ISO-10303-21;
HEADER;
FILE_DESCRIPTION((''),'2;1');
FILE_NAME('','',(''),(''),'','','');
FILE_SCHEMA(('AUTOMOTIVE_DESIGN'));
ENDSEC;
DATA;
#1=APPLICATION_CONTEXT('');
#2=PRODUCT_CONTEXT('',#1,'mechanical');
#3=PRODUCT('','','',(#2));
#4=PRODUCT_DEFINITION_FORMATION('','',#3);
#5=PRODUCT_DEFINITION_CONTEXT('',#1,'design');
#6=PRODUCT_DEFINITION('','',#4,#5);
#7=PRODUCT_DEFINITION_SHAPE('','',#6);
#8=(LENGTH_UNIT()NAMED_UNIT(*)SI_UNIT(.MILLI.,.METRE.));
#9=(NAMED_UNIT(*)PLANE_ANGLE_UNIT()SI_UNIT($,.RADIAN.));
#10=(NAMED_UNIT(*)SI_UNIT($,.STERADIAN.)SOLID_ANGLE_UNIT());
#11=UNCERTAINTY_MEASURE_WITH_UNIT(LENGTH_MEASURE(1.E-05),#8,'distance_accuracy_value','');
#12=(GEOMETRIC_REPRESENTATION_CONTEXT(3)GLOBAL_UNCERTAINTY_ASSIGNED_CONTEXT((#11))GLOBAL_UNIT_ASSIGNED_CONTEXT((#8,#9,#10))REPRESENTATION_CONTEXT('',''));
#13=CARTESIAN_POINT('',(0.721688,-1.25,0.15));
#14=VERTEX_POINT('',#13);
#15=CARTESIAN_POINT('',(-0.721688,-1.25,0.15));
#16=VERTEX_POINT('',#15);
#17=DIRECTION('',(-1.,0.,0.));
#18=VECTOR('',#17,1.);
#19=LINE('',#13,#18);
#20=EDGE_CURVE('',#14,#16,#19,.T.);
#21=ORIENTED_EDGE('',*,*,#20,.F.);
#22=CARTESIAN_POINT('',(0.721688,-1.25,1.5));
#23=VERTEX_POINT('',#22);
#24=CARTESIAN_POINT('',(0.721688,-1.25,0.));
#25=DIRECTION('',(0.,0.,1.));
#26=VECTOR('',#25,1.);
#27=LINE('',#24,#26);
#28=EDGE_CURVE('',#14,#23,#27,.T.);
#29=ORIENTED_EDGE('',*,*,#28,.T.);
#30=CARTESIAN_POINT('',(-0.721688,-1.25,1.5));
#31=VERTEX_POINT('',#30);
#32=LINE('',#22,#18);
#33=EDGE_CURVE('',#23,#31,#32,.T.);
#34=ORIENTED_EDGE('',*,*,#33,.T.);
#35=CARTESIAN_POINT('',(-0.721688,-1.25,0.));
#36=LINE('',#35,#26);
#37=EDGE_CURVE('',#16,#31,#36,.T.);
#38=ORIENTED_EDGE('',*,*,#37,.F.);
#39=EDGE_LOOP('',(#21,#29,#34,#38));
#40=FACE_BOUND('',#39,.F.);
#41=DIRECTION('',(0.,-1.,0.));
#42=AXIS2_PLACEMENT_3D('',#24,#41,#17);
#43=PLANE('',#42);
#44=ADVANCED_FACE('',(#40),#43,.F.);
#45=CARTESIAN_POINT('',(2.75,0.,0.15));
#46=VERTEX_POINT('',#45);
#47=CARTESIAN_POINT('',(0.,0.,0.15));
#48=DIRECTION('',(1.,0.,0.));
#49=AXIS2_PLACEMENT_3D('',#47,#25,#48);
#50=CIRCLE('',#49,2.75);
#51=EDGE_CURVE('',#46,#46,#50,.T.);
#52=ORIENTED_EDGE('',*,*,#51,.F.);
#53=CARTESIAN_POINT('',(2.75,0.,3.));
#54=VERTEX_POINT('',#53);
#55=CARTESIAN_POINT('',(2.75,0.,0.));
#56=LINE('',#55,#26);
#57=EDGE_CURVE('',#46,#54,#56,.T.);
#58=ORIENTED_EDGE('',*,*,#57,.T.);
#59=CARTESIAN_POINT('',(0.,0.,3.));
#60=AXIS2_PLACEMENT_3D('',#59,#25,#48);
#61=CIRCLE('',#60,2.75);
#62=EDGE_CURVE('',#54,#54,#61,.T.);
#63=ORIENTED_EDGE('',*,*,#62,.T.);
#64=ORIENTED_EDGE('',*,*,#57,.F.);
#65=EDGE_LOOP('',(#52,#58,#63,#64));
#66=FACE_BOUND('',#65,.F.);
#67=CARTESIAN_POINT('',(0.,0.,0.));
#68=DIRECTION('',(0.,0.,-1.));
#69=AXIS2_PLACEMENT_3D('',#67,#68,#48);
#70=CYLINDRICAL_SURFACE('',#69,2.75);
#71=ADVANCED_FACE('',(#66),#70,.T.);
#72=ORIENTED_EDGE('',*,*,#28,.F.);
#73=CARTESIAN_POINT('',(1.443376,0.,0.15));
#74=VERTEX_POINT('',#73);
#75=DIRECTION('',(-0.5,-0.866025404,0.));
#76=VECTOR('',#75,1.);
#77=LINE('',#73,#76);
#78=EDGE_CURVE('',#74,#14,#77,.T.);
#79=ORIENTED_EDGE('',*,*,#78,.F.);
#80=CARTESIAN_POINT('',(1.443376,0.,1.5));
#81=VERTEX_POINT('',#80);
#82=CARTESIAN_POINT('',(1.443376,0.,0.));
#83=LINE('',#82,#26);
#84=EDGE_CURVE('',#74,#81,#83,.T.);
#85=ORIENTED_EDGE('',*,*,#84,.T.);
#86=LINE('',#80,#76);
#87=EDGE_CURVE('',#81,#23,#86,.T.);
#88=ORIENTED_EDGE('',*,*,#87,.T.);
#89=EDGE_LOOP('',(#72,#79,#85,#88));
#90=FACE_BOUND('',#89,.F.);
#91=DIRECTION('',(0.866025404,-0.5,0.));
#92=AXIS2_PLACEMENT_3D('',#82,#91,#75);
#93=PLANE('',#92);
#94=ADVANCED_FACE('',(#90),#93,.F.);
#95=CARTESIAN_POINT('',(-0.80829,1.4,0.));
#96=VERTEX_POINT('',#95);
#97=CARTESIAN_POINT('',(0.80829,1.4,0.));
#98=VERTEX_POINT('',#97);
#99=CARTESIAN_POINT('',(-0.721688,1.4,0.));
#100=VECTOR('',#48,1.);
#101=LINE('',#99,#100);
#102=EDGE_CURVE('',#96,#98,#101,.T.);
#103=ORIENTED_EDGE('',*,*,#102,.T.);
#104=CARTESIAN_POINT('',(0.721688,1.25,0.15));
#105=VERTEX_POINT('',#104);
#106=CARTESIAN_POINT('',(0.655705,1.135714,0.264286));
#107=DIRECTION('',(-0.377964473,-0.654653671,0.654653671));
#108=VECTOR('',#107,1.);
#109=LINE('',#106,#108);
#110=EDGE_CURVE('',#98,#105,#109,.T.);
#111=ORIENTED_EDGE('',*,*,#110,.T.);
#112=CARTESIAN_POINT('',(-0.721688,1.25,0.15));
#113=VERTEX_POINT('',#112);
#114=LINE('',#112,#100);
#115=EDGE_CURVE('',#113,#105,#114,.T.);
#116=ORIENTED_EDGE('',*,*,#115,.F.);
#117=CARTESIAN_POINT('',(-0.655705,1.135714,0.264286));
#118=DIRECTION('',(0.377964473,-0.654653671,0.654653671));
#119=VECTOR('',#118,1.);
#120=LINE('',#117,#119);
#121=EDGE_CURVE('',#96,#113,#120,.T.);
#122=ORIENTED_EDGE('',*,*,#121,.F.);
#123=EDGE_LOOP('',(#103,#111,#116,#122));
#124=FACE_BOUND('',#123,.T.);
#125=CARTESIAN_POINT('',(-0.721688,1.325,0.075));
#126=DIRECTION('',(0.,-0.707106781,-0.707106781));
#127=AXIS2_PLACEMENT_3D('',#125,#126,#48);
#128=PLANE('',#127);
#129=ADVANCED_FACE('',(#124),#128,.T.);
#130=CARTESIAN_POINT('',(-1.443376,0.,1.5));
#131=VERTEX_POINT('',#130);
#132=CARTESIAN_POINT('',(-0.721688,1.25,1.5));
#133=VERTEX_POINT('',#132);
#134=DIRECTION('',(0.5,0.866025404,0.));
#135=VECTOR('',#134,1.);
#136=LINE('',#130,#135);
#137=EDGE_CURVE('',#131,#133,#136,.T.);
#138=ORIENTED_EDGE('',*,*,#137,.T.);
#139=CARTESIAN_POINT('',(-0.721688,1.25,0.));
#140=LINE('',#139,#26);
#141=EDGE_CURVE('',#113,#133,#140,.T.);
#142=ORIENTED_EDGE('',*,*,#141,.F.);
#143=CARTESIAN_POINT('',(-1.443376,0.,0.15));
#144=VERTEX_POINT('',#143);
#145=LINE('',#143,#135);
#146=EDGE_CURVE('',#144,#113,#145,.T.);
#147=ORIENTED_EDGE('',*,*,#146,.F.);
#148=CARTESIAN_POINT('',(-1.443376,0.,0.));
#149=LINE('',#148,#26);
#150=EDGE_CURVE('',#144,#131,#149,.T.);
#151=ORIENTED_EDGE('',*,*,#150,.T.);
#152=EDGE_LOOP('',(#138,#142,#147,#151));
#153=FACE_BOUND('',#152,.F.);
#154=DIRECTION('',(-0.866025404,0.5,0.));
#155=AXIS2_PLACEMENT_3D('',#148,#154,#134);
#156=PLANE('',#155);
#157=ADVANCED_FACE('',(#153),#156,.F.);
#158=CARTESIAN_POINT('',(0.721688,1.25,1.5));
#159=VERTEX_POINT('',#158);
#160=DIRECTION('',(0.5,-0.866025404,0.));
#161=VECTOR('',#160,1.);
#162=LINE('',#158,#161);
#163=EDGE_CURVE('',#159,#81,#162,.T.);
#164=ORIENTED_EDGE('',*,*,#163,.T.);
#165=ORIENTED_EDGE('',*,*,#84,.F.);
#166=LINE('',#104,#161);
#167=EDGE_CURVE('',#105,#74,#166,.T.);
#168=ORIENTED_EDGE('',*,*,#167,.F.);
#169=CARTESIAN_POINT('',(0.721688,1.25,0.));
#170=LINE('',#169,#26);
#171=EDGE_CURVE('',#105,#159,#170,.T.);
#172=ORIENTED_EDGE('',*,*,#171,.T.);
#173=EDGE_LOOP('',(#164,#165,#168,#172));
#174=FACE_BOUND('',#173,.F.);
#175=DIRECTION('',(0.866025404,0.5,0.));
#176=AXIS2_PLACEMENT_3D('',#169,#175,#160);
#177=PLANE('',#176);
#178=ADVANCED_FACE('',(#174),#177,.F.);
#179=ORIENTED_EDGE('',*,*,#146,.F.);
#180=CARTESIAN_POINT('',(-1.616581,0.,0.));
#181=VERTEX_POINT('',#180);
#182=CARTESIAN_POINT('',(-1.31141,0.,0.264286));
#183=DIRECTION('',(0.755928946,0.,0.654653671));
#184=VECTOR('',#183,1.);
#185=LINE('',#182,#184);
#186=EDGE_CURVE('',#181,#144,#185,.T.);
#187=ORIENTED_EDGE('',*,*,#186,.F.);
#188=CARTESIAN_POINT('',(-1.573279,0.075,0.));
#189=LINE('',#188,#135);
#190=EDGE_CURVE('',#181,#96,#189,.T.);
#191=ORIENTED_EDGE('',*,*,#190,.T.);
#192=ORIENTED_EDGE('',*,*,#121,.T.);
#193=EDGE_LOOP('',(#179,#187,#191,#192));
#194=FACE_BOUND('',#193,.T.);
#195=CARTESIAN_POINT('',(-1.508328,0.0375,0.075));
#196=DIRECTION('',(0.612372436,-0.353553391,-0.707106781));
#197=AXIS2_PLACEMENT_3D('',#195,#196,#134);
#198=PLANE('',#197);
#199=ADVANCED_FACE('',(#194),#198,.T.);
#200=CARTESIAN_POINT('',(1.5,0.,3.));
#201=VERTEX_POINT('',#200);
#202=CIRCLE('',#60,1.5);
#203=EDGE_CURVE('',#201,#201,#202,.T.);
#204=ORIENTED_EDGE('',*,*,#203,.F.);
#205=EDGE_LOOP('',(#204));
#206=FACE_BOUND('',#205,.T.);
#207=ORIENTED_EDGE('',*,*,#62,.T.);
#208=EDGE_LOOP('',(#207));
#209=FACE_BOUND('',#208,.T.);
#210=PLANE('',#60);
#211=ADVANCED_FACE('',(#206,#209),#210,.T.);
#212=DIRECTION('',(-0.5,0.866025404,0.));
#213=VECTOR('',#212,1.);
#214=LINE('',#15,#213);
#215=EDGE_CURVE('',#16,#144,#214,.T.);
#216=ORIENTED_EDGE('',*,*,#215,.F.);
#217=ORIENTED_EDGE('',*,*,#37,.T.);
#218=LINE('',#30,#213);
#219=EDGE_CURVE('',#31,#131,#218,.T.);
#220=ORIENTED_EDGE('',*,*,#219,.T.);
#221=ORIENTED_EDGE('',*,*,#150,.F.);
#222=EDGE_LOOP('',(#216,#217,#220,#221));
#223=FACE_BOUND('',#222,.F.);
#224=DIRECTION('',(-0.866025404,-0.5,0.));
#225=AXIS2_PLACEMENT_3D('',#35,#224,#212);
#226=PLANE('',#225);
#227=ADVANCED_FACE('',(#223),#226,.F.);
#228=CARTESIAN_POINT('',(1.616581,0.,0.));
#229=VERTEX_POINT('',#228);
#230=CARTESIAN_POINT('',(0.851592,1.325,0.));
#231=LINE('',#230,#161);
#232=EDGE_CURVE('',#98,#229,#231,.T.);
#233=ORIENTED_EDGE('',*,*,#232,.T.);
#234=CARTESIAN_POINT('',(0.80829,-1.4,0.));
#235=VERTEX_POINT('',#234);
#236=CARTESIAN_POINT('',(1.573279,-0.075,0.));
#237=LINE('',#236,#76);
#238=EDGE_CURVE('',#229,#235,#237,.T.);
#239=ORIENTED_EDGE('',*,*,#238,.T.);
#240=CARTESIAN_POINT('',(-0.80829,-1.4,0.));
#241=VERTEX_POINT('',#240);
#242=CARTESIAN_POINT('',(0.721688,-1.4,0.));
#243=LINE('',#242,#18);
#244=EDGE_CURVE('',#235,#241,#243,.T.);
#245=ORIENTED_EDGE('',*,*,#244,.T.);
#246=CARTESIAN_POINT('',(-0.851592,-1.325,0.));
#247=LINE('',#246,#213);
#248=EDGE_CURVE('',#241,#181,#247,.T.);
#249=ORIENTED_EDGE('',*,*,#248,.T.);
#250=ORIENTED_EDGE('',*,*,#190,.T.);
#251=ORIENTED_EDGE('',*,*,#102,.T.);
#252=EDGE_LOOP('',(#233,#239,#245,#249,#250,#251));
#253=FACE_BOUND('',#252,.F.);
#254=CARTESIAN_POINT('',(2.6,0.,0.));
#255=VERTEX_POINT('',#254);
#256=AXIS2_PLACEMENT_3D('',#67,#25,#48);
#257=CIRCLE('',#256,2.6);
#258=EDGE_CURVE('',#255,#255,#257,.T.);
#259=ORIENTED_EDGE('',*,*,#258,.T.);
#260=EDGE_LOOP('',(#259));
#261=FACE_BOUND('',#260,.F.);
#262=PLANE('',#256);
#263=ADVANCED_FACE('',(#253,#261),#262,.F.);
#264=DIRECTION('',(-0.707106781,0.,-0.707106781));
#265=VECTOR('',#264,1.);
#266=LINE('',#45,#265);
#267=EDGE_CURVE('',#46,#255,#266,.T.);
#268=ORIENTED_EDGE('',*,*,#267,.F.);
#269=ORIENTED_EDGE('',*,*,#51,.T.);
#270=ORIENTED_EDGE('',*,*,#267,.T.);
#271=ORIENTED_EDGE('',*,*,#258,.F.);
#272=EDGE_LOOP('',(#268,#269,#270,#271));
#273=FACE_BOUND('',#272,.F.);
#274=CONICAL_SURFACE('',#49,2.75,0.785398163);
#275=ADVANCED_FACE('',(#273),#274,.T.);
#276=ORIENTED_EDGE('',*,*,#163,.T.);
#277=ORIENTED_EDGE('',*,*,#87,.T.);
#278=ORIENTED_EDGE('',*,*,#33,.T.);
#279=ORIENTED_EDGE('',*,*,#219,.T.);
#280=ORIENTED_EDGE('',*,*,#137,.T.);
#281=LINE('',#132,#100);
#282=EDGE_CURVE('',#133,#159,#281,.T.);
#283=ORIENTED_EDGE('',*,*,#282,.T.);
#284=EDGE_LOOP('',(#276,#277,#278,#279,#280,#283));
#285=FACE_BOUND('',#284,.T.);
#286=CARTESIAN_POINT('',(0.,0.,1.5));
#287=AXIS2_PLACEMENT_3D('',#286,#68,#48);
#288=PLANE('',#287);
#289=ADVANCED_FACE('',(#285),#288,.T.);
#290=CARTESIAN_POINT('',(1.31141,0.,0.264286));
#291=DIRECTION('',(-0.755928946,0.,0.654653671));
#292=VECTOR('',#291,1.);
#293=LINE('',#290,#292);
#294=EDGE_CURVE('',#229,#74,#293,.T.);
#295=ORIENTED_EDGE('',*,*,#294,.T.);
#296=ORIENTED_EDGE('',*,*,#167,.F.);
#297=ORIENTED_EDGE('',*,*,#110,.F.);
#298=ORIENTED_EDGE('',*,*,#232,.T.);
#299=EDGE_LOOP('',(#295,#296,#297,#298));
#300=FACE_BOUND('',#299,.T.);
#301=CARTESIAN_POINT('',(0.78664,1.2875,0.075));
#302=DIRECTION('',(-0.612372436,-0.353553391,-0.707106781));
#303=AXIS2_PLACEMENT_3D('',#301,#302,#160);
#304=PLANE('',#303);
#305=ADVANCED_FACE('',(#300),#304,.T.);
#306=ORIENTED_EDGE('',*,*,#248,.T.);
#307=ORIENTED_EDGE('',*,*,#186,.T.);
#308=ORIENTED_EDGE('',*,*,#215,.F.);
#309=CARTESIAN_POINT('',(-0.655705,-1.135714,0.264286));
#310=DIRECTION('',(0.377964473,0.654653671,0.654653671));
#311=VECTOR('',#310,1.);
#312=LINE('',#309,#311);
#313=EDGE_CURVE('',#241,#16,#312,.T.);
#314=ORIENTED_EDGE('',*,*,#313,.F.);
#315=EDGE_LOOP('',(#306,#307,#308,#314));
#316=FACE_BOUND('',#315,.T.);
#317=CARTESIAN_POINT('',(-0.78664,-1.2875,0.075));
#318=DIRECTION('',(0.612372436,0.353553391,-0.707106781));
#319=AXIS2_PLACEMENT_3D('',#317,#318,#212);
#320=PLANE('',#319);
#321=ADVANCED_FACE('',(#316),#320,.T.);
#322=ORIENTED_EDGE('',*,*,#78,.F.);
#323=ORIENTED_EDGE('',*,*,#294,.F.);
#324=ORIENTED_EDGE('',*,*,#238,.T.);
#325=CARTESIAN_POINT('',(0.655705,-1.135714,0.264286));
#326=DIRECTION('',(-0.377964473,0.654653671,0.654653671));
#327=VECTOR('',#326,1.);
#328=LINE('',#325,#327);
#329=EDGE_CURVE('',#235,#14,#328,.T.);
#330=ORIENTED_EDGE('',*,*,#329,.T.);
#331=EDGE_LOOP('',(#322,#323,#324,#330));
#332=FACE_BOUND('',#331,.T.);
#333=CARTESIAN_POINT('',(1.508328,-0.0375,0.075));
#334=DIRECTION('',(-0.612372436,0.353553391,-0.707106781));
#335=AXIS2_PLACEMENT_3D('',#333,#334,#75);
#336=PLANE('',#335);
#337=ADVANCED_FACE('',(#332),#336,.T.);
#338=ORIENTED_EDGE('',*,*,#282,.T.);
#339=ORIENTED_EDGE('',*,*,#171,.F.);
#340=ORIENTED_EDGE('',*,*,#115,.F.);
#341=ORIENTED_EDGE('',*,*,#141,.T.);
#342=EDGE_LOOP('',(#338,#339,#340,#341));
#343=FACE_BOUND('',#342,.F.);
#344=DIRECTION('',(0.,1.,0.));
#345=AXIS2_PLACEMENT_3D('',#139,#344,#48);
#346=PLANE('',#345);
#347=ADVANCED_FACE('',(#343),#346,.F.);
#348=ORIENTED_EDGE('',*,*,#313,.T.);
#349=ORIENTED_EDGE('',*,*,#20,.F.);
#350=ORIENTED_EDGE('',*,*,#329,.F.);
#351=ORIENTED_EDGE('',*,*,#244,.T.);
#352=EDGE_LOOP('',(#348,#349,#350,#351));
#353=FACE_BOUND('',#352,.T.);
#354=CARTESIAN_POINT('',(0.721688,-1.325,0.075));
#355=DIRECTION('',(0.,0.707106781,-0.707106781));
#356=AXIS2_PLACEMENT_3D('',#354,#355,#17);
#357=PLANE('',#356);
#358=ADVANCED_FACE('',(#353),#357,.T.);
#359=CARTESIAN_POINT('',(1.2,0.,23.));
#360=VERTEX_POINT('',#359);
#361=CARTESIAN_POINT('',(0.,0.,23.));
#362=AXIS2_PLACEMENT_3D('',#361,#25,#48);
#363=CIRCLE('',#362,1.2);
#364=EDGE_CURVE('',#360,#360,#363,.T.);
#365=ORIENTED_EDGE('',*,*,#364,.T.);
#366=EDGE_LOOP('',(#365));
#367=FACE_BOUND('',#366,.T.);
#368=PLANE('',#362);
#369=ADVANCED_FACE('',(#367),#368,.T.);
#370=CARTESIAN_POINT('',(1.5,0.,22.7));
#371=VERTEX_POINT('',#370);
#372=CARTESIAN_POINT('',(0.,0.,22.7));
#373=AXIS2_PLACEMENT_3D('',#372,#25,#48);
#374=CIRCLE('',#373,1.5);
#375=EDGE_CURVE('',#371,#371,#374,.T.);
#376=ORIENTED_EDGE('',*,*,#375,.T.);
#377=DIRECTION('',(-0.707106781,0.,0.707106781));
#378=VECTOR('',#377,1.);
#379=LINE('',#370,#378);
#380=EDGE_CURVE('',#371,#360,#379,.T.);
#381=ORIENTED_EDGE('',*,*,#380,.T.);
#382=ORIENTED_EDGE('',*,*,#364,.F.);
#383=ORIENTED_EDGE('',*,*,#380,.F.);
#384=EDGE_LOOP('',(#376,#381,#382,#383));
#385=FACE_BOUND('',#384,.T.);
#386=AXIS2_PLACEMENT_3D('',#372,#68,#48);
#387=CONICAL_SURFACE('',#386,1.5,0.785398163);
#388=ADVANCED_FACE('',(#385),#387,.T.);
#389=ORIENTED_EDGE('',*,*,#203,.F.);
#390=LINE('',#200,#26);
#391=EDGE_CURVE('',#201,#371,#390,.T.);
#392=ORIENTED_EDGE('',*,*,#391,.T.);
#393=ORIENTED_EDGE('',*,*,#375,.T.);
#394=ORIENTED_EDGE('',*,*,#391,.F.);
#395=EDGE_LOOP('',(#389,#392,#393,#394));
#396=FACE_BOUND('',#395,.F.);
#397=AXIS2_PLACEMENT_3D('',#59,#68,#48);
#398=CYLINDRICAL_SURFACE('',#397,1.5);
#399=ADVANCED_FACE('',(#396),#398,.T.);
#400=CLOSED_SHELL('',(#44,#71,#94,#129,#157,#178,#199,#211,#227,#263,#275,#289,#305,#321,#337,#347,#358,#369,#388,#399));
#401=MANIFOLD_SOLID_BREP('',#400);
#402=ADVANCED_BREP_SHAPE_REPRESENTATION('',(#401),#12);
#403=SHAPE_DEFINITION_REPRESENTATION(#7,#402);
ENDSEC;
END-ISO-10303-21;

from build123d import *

# Parameters (mm, degrees)
F3_R     = 2.75
F4_DEPTH = 3
F6_DEPTH = 1.5
F7_R     = 1.5
F8_DEPTH = 20
F9_SIZE  = 0.15
F10_SIZE = 0.3


with BuildPart() as f4:
    # F3 (on Top) → F4 (new body)
    with BuildSketch(Plane.XY):
        Circle(F3_R)
    extrude(amount=F4_DEPTH)

    # F5 (on face) → F6 (cut)
    with BuildSketch(Plane(origin=(0, 0, 0), x_dir=(1, 0, 0), z_dir=(0, 0, -1))):
        Polygon((0.7216878365, 1.25), (-0.7216878365, 1.25), (-1.443375673, 0), (-0.7216878365, -1.25), (0.7216878365, -1.25), (1.443375673, 0), align=None)
    extrude(amount=-F6_DEPTH, mode=Mode.SUBTRACT)

    # F7 (on face) → F8 (join)
    with BuildSketch(Plane.XY.offset(3)):
        Circle(F7_R)
    extrude(amount=F8_DEPTH)

    # F9
    f9_edges = [f4.edges().sort_by_distance(p)[0] for p in [
        (-2.75, 0, 0),
        (0, -1.25, 0),
        (1.082532, -0.625, 0),
        (1.082532, 0.625, 0),
        (0, 1.25, 0),
        (-1.082532, -0.625, 0),
        (-1.082532, 0.625, 0),
    ]]
    chamfer(f9_edges, length=F9_SIZE)

    # F10
    f10_edges = [f4.edges().sort_by_distance(p)[0] for p in [
        (-1.5, 0, 23),
    ]]
    chamfer(f10_edges, length=F10_SIZE)


solid = f4.part
